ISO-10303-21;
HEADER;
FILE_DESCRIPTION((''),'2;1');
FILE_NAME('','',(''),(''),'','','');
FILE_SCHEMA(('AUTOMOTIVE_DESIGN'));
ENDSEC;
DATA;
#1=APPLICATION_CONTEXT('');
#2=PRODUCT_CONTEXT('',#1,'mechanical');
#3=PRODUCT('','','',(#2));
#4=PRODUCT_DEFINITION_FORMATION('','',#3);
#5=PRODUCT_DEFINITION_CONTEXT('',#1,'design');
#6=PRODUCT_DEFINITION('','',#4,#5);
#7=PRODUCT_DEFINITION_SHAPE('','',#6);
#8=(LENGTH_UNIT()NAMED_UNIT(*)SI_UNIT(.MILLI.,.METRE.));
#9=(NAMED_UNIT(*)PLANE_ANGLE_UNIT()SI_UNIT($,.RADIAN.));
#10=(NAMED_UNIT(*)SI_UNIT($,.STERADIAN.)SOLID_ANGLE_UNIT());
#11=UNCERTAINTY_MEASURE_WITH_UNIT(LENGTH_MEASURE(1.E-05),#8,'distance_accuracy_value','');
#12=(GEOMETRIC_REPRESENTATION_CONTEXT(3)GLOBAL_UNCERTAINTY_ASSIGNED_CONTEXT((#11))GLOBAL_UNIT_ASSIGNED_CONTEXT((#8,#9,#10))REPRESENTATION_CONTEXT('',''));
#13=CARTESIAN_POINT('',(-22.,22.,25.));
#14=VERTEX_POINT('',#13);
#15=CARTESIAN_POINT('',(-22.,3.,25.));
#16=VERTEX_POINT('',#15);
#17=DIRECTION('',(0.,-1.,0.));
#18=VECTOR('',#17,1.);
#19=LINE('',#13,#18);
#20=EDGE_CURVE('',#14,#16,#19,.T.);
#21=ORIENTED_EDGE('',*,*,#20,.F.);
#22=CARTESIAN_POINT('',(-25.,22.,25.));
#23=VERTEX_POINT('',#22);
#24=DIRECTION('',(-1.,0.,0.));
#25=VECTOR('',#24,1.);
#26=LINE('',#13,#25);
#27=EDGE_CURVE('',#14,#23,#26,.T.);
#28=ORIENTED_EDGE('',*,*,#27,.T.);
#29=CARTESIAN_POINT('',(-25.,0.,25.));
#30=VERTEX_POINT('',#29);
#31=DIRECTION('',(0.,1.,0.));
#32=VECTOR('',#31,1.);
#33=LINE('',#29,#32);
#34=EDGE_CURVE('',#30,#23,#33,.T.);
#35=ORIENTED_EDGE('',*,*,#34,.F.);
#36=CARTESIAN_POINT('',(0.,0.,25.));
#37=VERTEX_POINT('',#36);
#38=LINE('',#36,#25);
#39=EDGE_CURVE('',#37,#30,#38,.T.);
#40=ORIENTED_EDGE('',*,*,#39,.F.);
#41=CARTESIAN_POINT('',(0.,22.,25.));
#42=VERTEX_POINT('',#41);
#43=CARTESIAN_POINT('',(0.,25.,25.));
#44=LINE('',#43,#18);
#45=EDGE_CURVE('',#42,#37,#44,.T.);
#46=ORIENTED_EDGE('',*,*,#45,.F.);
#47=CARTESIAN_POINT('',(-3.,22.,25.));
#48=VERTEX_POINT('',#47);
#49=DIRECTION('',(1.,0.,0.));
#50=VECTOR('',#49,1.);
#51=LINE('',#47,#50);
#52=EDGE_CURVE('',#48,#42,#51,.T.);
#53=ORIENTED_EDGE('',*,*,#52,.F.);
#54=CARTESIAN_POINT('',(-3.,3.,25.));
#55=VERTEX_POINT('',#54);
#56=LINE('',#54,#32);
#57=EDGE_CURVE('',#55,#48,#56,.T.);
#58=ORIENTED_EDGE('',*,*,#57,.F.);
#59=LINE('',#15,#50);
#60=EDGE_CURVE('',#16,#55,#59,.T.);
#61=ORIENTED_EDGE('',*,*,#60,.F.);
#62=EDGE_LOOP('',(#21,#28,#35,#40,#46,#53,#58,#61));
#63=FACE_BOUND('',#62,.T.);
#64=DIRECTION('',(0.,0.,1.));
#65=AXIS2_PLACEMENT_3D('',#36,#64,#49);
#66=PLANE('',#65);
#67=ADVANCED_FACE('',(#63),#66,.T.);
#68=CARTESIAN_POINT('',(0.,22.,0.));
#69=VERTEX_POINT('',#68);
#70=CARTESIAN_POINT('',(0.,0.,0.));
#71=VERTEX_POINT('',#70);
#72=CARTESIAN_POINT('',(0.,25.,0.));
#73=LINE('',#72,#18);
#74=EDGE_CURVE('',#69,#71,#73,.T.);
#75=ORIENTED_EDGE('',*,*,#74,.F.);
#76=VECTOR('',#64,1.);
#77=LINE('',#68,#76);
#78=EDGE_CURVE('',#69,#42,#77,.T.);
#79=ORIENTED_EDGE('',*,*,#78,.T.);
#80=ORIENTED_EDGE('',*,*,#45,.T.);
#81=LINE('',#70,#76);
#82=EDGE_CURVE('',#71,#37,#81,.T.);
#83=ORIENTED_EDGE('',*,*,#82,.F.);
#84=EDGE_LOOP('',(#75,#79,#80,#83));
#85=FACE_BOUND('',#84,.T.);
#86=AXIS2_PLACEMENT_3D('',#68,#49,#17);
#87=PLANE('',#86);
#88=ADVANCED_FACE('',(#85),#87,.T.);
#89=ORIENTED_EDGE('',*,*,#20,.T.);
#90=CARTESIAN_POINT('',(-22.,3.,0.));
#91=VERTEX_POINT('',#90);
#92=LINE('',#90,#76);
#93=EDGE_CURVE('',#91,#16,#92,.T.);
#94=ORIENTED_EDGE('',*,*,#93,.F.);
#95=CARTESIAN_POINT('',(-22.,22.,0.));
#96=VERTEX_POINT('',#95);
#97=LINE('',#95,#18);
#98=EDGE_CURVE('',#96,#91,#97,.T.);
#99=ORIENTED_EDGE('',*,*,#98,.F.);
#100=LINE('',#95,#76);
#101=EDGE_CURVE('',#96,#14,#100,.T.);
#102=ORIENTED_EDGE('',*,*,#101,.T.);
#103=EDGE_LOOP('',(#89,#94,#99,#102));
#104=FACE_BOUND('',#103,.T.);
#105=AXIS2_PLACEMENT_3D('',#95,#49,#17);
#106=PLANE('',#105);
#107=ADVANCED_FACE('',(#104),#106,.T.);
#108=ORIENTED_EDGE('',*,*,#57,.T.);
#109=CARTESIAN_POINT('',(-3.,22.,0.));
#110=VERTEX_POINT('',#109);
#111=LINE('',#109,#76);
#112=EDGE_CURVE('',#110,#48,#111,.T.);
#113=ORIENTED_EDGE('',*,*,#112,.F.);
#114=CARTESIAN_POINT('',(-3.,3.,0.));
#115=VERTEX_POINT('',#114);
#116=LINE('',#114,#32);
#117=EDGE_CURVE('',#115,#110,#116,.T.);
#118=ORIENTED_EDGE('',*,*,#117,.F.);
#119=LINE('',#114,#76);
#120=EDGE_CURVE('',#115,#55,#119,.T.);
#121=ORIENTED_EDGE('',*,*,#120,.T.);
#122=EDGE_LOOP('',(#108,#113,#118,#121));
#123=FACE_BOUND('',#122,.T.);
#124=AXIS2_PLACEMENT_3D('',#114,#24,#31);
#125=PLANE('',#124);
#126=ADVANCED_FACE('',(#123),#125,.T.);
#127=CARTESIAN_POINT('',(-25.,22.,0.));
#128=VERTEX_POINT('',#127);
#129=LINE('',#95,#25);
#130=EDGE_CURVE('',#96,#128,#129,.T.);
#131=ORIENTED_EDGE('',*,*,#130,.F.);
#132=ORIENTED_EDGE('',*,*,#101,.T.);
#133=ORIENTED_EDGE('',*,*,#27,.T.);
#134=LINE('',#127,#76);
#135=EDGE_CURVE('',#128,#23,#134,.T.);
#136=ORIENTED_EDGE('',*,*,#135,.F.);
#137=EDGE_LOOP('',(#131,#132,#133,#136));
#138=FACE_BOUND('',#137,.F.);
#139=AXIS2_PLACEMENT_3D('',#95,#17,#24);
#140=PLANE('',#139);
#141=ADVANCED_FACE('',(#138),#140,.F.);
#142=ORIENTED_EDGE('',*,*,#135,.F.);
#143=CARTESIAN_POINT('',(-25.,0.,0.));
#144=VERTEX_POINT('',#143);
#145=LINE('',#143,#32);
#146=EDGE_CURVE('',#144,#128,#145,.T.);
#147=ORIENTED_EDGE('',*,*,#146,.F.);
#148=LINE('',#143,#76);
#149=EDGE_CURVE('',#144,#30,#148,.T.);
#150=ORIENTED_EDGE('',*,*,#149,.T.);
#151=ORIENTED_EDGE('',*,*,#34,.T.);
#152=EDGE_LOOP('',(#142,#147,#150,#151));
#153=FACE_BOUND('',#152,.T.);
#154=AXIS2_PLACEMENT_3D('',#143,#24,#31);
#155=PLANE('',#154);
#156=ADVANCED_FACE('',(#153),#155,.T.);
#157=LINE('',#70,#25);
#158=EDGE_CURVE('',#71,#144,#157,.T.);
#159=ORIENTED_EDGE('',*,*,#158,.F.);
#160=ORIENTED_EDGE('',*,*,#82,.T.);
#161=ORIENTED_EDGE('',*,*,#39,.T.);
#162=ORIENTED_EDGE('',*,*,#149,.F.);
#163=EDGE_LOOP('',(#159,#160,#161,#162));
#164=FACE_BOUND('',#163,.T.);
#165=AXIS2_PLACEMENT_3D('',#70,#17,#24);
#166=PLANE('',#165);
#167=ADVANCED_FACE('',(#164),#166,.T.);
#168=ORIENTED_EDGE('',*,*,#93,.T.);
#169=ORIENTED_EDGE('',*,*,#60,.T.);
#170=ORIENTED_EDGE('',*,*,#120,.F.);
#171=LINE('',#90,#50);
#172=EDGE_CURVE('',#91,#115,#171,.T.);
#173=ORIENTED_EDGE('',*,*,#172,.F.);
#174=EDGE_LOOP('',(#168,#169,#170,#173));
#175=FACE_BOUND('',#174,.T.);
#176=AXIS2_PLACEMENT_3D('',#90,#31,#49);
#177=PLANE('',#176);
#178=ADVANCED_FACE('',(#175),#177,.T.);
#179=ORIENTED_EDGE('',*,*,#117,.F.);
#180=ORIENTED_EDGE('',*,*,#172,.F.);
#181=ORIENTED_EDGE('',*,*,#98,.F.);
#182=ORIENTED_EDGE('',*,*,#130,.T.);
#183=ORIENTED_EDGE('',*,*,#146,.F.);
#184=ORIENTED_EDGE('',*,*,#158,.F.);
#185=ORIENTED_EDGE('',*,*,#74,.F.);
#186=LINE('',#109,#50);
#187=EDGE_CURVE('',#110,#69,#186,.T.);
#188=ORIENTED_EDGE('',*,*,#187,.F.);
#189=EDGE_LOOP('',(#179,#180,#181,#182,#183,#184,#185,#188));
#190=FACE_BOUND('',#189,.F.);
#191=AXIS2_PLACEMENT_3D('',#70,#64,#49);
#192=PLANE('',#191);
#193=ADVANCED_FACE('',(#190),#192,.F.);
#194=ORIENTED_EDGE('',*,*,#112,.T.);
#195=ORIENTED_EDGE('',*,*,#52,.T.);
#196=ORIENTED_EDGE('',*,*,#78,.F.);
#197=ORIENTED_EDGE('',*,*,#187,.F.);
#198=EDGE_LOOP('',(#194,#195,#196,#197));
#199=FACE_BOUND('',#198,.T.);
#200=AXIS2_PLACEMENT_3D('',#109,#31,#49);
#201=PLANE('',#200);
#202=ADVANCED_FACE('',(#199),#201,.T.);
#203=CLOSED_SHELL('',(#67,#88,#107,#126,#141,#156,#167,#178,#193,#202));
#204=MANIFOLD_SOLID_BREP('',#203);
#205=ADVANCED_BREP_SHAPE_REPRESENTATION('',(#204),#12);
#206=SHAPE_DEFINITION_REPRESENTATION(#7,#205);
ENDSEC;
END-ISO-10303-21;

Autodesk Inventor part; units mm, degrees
ref_plane "YZ Plane" through (0, 0, 0) normal (1, 0, 0) x (0, 1, 0)
ref_plane "XZ Plane" through (0, 0, 0) normal (0, 1, 0) x (-1, 0, 0)
ref_plane "XY Plane" through (0, 0, 0) normal (0, 0, 1) x (1, 0, 0)
sketch "Sketch1" plane through (0, 0, 0) normal (0, 0, 1) x (1, 0, 0)
  line L0 (0, 0) -> (-25, 0)
  line L1 (-25, 0) -> (-25, 25)
  line L2 (-25, 25) -> (0, 25)
  line L3 (0, 25) -> (0, 0)
  line L4 (-3, 22) -> (-22, 22)
  line L5 (-22, 22) -> (-22, 3)
  line L6 (-22, 3) -> (-3, 3)
  line L7 (-3, 3) -> (-3, 22)
  line L8 (-22, 22) -> (-25, 22)
  line L9 (-3, 22) -> (0, 22)
  dimension "d0" = 25
  dimension "d1" = 25
  dimension "d2" = 3
extrude "Extrusion1" add sketch "Sketch1" along normal blind 25 contours L0 L1 L8 L5 L6 L7 L9 L3
properties part number "P412" material "Aluminum 6061"
